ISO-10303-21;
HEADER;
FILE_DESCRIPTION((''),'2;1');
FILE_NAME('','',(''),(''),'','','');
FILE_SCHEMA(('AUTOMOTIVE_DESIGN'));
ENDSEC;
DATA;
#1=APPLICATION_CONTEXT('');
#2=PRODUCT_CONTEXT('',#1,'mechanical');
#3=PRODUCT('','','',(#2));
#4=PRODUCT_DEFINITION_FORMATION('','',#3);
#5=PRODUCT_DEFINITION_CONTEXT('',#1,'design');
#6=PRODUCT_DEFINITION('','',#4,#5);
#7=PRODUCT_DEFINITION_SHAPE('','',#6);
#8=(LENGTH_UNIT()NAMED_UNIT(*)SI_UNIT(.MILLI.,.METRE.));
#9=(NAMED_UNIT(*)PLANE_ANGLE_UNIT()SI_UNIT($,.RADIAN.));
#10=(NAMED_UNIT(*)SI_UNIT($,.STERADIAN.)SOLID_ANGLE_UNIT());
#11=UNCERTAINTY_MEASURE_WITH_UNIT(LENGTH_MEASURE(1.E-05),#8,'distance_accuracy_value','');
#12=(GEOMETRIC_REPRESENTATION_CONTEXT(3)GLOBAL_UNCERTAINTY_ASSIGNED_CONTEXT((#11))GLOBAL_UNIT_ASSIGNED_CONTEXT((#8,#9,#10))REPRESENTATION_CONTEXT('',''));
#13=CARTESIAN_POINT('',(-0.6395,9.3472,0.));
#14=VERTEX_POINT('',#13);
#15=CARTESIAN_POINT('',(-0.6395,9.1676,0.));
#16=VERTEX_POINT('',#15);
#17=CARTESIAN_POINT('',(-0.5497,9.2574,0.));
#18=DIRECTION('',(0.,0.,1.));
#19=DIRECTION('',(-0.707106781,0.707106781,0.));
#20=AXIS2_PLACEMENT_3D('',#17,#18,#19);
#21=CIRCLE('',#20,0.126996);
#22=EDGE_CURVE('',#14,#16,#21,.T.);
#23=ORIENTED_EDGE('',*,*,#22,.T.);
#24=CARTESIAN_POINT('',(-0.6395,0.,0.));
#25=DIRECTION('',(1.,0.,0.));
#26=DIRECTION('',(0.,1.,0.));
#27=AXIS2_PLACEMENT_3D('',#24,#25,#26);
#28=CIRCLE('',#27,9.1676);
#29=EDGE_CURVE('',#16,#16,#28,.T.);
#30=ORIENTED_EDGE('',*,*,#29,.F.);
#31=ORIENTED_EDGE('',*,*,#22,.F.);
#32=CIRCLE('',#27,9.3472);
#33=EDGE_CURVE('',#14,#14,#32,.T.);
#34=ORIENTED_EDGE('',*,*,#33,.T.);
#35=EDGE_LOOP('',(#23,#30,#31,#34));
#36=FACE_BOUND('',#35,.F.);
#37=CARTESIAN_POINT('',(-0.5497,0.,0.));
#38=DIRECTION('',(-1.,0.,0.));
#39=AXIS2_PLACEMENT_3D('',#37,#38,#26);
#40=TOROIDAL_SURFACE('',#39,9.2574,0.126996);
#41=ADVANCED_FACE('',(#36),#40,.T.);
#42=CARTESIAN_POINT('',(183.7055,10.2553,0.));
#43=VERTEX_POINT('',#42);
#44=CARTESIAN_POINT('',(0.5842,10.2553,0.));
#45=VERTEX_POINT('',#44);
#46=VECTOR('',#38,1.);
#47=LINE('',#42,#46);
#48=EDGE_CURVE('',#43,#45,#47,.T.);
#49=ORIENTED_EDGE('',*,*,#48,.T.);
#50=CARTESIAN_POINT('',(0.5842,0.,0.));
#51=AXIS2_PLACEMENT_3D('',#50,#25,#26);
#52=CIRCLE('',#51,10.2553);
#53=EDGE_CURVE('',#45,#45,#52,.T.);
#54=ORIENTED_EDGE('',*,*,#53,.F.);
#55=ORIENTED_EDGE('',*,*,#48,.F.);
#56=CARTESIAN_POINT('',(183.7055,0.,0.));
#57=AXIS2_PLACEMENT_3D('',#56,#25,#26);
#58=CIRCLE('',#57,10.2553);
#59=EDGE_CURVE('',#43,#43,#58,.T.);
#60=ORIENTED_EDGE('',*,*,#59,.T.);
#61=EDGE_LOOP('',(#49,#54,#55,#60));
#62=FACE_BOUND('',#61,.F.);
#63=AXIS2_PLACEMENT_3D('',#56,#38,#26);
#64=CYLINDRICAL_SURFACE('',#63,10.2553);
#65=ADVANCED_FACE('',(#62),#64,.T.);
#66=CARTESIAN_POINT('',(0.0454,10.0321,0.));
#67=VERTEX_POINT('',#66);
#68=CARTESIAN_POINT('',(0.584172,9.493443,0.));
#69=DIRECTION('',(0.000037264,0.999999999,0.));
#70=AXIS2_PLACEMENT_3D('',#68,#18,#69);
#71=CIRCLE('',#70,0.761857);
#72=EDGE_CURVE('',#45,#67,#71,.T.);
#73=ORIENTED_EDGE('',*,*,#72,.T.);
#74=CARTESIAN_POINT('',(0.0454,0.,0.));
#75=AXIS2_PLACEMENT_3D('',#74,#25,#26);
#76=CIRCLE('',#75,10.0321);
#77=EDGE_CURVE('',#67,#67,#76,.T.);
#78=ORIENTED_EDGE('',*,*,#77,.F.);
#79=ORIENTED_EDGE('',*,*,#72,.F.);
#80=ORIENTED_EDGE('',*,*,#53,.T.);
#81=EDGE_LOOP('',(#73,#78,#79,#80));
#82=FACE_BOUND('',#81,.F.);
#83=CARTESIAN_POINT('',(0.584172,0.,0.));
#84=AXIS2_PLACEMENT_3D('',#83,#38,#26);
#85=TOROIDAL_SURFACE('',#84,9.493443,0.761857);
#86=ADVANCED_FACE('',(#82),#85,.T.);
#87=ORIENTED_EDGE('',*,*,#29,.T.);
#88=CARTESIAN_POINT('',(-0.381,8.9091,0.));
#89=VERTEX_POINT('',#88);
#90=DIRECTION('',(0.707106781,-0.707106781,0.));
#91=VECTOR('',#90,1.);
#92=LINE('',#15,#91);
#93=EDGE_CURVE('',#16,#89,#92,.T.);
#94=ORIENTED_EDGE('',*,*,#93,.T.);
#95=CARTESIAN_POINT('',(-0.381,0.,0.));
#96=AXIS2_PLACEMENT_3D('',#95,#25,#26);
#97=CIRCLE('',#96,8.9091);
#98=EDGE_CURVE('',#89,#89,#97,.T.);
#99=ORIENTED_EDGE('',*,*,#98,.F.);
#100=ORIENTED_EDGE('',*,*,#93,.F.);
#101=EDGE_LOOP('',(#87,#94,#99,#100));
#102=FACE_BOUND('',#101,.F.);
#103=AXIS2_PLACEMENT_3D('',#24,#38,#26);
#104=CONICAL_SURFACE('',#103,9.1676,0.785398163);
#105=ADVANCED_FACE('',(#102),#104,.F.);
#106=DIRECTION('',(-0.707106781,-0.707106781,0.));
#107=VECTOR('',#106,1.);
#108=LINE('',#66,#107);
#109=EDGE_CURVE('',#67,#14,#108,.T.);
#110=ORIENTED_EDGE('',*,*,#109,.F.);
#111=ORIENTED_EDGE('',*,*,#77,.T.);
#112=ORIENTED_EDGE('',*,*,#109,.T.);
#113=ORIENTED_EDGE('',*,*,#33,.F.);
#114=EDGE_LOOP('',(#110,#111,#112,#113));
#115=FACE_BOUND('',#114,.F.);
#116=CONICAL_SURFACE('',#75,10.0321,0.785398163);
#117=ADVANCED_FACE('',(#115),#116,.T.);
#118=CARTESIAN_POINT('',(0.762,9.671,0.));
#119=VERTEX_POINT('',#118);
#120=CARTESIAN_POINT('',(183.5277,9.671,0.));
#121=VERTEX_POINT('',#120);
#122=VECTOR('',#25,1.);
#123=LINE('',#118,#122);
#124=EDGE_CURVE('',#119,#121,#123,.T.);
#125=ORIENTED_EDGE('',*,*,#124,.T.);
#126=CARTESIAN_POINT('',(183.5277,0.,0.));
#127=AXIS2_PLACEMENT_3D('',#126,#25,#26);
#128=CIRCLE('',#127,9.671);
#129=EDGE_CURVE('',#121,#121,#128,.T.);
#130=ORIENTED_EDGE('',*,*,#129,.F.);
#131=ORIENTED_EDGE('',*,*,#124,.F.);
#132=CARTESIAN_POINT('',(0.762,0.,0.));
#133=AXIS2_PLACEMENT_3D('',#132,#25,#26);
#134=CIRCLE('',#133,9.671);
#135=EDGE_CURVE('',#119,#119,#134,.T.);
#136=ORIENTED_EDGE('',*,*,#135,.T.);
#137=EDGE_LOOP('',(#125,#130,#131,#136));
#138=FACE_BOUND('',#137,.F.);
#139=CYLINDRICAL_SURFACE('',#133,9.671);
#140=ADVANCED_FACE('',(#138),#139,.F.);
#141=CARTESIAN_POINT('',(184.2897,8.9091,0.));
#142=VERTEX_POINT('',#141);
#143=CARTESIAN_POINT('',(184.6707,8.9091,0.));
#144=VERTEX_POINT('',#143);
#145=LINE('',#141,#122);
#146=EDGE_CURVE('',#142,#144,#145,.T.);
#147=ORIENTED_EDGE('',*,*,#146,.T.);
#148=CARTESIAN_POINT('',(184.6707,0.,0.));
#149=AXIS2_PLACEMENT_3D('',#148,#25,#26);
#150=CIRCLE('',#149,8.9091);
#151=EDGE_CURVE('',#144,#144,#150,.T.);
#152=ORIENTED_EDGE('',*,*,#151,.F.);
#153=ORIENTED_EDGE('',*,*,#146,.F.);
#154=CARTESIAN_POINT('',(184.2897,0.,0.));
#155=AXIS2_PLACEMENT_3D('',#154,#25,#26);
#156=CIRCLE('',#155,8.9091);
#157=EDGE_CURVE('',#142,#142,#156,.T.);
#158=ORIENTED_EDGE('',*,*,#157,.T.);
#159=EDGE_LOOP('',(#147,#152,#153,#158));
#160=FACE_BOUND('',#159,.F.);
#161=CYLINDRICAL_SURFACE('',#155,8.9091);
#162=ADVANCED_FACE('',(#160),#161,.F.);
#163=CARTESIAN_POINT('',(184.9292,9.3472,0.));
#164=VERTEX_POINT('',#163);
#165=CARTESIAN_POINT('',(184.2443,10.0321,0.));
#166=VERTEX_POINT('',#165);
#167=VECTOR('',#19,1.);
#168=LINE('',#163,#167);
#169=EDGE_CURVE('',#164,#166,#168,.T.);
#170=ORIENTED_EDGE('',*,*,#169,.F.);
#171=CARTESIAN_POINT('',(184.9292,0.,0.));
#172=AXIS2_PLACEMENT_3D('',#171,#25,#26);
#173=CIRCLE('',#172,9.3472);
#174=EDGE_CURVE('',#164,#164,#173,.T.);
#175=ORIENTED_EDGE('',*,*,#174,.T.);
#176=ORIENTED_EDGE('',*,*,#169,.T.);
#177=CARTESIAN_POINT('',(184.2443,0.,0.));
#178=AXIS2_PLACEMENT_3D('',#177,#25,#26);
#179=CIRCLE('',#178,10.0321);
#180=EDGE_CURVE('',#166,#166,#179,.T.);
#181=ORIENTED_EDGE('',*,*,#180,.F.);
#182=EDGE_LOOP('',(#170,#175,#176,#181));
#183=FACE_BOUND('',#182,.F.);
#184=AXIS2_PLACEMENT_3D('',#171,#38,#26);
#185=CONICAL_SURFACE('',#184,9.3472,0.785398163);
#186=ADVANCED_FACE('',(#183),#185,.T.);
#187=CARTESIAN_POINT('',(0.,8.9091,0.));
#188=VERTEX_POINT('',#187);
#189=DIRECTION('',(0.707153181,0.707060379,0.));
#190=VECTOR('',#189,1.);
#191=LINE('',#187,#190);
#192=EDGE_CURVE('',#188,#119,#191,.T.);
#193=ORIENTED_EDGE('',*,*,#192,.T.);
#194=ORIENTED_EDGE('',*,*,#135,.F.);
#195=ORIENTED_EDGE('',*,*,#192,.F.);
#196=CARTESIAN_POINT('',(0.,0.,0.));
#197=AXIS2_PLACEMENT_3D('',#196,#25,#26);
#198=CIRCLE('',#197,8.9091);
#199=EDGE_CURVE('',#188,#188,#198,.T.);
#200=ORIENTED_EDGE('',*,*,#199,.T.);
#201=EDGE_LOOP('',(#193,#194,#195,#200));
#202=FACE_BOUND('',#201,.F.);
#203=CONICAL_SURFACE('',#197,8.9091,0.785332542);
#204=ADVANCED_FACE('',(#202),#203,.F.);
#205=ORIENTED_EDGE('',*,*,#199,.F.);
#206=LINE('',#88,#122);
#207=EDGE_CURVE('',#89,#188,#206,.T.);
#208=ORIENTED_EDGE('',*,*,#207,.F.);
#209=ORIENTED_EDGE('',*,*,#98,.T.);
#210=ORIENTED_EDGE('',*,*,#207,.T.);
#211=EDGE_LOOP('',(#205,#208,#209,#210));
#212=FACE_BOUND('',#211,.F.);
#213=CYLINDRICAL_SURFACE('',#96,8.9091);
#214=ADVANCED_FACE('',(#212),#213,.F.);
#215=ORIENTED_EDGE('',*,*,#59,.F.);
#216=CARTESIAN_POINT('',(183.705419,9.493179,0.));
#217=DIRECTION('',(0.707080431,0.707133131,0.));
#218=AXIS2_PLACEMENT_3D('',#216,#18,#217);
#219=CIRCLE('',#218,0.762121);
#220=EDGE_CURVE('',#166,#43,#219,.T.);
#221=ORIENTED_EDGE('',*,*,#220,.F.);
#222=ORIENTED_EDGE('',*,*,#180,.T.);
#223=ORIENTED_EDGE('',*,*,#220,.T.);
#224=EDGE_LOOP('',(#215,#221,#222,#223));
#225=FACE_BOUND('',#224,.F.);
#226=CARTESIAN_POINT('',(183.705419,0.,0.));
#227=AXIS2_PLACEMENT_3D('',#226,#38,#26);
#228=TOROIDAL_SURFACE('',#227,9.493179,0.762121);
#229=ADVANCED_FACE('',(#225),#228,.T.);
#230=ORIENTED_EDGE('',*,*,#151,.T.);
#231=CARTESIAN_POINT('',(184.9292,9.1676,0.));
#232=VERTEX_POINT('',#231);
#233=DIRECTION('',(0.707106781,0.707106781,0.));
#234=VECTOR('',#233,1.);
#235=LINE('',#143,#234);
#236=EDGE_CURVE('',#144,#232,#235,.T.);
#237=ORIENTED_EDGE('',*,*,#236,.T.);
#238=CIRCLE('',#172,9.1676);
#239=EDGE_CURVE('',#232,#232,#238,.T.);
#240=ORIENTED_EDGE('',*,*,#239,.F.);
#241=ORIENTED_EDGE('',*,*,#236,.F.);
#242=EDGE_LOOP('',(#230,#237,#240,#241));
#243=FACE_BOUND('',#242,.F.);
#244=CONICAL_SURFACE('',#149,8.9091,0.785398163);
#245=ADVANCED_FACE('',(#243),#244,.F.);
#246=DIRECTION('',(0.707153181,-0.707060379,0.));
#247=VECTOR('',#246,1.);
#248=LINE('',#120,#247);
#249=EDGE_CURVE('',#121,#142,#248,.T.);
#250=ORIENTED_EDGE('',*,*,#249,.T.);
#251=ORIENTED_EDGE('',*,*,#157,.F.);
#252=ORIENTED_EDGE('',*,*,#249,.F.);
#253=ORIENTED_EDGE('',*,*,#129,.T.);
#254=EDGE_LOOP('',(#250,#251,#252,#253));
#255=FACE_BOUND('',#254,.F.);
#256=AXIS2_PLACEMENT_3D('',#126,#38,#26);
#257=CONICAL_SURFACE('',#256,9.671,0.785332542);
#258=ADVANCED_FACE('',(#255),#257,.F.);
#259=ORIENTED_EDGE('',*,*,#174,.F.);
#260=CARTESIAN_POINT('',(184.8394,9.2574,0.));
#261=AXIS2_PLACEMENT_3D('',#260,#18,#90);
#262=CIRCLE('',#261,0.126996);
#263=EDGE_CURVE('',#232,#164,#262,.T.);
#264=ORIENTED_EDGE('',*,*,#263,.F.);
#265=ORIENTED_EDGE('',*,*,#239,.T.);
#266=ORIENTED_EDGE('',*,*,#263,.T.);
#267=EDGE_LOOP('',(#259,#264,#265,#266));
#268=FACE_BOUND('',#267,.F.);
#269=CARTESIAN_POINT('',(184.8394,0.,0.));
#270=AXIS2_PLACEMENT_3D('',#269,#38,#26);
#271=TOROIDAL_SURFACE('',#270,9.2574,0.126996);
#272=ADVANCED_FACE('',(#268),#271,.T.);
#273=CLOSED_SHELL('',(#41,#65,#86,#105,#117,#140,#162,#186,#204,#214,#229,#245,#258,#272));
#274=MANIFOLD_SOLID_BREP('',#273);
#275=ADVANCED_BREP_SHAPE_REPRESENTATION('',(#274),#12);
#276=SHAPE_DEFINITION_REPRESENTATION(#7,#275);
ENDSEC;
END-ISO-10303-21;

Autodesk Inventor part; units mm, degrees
sketch "Sketch_1" plane through (0, 0, 0) normal (0, 0, 1) x (1, 0, 0)
  line L0 (184.2897, 0) -> (0, 0)
  arc A0 (-0.6395, 9.3472) -> (-0.6395, 9.1676) centre (-0.5497, 9.2574) ccw
  line L1 (-0.6395, 9.1676) -> (-0.381, 8.9091)
  line L2 (-0.381, 8.9091) -> (0, 8.9091)
  line L3 (0, 8.9091) -> (0.762, 9.671)
  line L4 (0.762, 9.671) -> (183.5277, 9.671)
  line L5 (183.5277, 9.671) -> (184.2897, 8.9091)
  line L6 (184.2897, 8.9091) -> (184.6707, 8.9091)
  line L7 (184.6707, 8.9091) -> (184.9292, 9.1676)
  arc A1 (184.9292, 9.1676) -> (184.9292, 9.3472) centre (184.8394, 9.2574) ccw
  line L8 (184.9292, 9.3472) -> (184.2443, 10.0321)
  arc A2 (184.2443, 10.0321) -> (183.7055, 10.2553) centre (183.7055, 9.4933) ccw
  line L9 (183.7055, 10.2553) -> (0.5842, 10.2553)
  arc A3 (0.5842, 10.2553) -> (0.0454, 10.0321) centre (0.5842, 9.4933) ccw
  line L10 (0.0454, 10.0321) -> (-0.6395, 9.3472)
revolve "Revolution1" add sketch "Sketch_1" angle 360 about axis through (184.2897, 0, 0) along (1, 0, 0)
ref_plane "tube_front_XY" through (0, 0, 0) normal (1, 0, 0) x (0, 0, -1)
ref_plane "tube_front_YZ" through (0, 0, 0) normal (0, 0, -1) x (0, 1, 0)
ref_plane "tube_front_ZX" through (0, 0, 0) normal (0, 1, 0) x (1, 0, 0)
ref_plane "tube_rear_XY" through (184.2897, 0, 0) normal (1, 0, 0) x (0, 0, -1)
ref_plane "tube_rear_YZ" through (184.2897, 0, 0) normal (0, 0, -1) x (0, 1, 0)
ref_plane "tube_rear_ZX" through (184.2897, 0, 0) normal (0, 1, 0) x (1, 0, 0)
ref_plane "cp1_XY" through (92.1449, 10.2553, 0) normal (1, 0, 0) x (0, 0, -1)
ref_plane "cp1_YZ" through (92.1449, 10.2553, 0) normal (0, 0, -1) x (0, 1, 0)
ref_plane "cp1_ZX" through (92.1449, 10.2553, 0) normal (0, 1, 0) x (1, 0, 0)
ref_plane "cp2_XY" through (92.1449, 0, -10.2553) normal (1, 0, 0) x (0, 0, -1)
ref_plane "cp2_YZ" through (92.1449, 0, -10.2553) normal (0, 0, -1) x (0, 1, 0)
ref_plane "cp2_ZX" through (92.1449, 0, -10.2553) normal (0, 1, 0) x (1, 0, 0)
ref_plane "cp3_XY" through (92.1449, -10.2553, 0) normal (1, 0, 0) x (0, 0, -1)
ref_plane "cp3_YZ" through (92.1449, -10.2553, 0) normal (0, 0, -1) x (0, 1, 0)
ref_plane "cp3_ZX" through (92.1449, -10.2553, 0) normal (0, 1, 0) x (1, 0, 0)
ref_plane "cp4_XY" through (92.1449, 0, 10.2553) normal (1, 0, 0) x (0, 0, -1)
ref_plane "cp4_YZ" through (92.1449, 0, 10.2553) normal (0, 0, -1) x (0, 1, 0)
ref_plane "cp4_ZX" through (92.1449, 0, 10.2553) normal (0, 1, 0) x (1, 0, 0)
properties part number "04R-7.25550" material "Stainless Steel"
